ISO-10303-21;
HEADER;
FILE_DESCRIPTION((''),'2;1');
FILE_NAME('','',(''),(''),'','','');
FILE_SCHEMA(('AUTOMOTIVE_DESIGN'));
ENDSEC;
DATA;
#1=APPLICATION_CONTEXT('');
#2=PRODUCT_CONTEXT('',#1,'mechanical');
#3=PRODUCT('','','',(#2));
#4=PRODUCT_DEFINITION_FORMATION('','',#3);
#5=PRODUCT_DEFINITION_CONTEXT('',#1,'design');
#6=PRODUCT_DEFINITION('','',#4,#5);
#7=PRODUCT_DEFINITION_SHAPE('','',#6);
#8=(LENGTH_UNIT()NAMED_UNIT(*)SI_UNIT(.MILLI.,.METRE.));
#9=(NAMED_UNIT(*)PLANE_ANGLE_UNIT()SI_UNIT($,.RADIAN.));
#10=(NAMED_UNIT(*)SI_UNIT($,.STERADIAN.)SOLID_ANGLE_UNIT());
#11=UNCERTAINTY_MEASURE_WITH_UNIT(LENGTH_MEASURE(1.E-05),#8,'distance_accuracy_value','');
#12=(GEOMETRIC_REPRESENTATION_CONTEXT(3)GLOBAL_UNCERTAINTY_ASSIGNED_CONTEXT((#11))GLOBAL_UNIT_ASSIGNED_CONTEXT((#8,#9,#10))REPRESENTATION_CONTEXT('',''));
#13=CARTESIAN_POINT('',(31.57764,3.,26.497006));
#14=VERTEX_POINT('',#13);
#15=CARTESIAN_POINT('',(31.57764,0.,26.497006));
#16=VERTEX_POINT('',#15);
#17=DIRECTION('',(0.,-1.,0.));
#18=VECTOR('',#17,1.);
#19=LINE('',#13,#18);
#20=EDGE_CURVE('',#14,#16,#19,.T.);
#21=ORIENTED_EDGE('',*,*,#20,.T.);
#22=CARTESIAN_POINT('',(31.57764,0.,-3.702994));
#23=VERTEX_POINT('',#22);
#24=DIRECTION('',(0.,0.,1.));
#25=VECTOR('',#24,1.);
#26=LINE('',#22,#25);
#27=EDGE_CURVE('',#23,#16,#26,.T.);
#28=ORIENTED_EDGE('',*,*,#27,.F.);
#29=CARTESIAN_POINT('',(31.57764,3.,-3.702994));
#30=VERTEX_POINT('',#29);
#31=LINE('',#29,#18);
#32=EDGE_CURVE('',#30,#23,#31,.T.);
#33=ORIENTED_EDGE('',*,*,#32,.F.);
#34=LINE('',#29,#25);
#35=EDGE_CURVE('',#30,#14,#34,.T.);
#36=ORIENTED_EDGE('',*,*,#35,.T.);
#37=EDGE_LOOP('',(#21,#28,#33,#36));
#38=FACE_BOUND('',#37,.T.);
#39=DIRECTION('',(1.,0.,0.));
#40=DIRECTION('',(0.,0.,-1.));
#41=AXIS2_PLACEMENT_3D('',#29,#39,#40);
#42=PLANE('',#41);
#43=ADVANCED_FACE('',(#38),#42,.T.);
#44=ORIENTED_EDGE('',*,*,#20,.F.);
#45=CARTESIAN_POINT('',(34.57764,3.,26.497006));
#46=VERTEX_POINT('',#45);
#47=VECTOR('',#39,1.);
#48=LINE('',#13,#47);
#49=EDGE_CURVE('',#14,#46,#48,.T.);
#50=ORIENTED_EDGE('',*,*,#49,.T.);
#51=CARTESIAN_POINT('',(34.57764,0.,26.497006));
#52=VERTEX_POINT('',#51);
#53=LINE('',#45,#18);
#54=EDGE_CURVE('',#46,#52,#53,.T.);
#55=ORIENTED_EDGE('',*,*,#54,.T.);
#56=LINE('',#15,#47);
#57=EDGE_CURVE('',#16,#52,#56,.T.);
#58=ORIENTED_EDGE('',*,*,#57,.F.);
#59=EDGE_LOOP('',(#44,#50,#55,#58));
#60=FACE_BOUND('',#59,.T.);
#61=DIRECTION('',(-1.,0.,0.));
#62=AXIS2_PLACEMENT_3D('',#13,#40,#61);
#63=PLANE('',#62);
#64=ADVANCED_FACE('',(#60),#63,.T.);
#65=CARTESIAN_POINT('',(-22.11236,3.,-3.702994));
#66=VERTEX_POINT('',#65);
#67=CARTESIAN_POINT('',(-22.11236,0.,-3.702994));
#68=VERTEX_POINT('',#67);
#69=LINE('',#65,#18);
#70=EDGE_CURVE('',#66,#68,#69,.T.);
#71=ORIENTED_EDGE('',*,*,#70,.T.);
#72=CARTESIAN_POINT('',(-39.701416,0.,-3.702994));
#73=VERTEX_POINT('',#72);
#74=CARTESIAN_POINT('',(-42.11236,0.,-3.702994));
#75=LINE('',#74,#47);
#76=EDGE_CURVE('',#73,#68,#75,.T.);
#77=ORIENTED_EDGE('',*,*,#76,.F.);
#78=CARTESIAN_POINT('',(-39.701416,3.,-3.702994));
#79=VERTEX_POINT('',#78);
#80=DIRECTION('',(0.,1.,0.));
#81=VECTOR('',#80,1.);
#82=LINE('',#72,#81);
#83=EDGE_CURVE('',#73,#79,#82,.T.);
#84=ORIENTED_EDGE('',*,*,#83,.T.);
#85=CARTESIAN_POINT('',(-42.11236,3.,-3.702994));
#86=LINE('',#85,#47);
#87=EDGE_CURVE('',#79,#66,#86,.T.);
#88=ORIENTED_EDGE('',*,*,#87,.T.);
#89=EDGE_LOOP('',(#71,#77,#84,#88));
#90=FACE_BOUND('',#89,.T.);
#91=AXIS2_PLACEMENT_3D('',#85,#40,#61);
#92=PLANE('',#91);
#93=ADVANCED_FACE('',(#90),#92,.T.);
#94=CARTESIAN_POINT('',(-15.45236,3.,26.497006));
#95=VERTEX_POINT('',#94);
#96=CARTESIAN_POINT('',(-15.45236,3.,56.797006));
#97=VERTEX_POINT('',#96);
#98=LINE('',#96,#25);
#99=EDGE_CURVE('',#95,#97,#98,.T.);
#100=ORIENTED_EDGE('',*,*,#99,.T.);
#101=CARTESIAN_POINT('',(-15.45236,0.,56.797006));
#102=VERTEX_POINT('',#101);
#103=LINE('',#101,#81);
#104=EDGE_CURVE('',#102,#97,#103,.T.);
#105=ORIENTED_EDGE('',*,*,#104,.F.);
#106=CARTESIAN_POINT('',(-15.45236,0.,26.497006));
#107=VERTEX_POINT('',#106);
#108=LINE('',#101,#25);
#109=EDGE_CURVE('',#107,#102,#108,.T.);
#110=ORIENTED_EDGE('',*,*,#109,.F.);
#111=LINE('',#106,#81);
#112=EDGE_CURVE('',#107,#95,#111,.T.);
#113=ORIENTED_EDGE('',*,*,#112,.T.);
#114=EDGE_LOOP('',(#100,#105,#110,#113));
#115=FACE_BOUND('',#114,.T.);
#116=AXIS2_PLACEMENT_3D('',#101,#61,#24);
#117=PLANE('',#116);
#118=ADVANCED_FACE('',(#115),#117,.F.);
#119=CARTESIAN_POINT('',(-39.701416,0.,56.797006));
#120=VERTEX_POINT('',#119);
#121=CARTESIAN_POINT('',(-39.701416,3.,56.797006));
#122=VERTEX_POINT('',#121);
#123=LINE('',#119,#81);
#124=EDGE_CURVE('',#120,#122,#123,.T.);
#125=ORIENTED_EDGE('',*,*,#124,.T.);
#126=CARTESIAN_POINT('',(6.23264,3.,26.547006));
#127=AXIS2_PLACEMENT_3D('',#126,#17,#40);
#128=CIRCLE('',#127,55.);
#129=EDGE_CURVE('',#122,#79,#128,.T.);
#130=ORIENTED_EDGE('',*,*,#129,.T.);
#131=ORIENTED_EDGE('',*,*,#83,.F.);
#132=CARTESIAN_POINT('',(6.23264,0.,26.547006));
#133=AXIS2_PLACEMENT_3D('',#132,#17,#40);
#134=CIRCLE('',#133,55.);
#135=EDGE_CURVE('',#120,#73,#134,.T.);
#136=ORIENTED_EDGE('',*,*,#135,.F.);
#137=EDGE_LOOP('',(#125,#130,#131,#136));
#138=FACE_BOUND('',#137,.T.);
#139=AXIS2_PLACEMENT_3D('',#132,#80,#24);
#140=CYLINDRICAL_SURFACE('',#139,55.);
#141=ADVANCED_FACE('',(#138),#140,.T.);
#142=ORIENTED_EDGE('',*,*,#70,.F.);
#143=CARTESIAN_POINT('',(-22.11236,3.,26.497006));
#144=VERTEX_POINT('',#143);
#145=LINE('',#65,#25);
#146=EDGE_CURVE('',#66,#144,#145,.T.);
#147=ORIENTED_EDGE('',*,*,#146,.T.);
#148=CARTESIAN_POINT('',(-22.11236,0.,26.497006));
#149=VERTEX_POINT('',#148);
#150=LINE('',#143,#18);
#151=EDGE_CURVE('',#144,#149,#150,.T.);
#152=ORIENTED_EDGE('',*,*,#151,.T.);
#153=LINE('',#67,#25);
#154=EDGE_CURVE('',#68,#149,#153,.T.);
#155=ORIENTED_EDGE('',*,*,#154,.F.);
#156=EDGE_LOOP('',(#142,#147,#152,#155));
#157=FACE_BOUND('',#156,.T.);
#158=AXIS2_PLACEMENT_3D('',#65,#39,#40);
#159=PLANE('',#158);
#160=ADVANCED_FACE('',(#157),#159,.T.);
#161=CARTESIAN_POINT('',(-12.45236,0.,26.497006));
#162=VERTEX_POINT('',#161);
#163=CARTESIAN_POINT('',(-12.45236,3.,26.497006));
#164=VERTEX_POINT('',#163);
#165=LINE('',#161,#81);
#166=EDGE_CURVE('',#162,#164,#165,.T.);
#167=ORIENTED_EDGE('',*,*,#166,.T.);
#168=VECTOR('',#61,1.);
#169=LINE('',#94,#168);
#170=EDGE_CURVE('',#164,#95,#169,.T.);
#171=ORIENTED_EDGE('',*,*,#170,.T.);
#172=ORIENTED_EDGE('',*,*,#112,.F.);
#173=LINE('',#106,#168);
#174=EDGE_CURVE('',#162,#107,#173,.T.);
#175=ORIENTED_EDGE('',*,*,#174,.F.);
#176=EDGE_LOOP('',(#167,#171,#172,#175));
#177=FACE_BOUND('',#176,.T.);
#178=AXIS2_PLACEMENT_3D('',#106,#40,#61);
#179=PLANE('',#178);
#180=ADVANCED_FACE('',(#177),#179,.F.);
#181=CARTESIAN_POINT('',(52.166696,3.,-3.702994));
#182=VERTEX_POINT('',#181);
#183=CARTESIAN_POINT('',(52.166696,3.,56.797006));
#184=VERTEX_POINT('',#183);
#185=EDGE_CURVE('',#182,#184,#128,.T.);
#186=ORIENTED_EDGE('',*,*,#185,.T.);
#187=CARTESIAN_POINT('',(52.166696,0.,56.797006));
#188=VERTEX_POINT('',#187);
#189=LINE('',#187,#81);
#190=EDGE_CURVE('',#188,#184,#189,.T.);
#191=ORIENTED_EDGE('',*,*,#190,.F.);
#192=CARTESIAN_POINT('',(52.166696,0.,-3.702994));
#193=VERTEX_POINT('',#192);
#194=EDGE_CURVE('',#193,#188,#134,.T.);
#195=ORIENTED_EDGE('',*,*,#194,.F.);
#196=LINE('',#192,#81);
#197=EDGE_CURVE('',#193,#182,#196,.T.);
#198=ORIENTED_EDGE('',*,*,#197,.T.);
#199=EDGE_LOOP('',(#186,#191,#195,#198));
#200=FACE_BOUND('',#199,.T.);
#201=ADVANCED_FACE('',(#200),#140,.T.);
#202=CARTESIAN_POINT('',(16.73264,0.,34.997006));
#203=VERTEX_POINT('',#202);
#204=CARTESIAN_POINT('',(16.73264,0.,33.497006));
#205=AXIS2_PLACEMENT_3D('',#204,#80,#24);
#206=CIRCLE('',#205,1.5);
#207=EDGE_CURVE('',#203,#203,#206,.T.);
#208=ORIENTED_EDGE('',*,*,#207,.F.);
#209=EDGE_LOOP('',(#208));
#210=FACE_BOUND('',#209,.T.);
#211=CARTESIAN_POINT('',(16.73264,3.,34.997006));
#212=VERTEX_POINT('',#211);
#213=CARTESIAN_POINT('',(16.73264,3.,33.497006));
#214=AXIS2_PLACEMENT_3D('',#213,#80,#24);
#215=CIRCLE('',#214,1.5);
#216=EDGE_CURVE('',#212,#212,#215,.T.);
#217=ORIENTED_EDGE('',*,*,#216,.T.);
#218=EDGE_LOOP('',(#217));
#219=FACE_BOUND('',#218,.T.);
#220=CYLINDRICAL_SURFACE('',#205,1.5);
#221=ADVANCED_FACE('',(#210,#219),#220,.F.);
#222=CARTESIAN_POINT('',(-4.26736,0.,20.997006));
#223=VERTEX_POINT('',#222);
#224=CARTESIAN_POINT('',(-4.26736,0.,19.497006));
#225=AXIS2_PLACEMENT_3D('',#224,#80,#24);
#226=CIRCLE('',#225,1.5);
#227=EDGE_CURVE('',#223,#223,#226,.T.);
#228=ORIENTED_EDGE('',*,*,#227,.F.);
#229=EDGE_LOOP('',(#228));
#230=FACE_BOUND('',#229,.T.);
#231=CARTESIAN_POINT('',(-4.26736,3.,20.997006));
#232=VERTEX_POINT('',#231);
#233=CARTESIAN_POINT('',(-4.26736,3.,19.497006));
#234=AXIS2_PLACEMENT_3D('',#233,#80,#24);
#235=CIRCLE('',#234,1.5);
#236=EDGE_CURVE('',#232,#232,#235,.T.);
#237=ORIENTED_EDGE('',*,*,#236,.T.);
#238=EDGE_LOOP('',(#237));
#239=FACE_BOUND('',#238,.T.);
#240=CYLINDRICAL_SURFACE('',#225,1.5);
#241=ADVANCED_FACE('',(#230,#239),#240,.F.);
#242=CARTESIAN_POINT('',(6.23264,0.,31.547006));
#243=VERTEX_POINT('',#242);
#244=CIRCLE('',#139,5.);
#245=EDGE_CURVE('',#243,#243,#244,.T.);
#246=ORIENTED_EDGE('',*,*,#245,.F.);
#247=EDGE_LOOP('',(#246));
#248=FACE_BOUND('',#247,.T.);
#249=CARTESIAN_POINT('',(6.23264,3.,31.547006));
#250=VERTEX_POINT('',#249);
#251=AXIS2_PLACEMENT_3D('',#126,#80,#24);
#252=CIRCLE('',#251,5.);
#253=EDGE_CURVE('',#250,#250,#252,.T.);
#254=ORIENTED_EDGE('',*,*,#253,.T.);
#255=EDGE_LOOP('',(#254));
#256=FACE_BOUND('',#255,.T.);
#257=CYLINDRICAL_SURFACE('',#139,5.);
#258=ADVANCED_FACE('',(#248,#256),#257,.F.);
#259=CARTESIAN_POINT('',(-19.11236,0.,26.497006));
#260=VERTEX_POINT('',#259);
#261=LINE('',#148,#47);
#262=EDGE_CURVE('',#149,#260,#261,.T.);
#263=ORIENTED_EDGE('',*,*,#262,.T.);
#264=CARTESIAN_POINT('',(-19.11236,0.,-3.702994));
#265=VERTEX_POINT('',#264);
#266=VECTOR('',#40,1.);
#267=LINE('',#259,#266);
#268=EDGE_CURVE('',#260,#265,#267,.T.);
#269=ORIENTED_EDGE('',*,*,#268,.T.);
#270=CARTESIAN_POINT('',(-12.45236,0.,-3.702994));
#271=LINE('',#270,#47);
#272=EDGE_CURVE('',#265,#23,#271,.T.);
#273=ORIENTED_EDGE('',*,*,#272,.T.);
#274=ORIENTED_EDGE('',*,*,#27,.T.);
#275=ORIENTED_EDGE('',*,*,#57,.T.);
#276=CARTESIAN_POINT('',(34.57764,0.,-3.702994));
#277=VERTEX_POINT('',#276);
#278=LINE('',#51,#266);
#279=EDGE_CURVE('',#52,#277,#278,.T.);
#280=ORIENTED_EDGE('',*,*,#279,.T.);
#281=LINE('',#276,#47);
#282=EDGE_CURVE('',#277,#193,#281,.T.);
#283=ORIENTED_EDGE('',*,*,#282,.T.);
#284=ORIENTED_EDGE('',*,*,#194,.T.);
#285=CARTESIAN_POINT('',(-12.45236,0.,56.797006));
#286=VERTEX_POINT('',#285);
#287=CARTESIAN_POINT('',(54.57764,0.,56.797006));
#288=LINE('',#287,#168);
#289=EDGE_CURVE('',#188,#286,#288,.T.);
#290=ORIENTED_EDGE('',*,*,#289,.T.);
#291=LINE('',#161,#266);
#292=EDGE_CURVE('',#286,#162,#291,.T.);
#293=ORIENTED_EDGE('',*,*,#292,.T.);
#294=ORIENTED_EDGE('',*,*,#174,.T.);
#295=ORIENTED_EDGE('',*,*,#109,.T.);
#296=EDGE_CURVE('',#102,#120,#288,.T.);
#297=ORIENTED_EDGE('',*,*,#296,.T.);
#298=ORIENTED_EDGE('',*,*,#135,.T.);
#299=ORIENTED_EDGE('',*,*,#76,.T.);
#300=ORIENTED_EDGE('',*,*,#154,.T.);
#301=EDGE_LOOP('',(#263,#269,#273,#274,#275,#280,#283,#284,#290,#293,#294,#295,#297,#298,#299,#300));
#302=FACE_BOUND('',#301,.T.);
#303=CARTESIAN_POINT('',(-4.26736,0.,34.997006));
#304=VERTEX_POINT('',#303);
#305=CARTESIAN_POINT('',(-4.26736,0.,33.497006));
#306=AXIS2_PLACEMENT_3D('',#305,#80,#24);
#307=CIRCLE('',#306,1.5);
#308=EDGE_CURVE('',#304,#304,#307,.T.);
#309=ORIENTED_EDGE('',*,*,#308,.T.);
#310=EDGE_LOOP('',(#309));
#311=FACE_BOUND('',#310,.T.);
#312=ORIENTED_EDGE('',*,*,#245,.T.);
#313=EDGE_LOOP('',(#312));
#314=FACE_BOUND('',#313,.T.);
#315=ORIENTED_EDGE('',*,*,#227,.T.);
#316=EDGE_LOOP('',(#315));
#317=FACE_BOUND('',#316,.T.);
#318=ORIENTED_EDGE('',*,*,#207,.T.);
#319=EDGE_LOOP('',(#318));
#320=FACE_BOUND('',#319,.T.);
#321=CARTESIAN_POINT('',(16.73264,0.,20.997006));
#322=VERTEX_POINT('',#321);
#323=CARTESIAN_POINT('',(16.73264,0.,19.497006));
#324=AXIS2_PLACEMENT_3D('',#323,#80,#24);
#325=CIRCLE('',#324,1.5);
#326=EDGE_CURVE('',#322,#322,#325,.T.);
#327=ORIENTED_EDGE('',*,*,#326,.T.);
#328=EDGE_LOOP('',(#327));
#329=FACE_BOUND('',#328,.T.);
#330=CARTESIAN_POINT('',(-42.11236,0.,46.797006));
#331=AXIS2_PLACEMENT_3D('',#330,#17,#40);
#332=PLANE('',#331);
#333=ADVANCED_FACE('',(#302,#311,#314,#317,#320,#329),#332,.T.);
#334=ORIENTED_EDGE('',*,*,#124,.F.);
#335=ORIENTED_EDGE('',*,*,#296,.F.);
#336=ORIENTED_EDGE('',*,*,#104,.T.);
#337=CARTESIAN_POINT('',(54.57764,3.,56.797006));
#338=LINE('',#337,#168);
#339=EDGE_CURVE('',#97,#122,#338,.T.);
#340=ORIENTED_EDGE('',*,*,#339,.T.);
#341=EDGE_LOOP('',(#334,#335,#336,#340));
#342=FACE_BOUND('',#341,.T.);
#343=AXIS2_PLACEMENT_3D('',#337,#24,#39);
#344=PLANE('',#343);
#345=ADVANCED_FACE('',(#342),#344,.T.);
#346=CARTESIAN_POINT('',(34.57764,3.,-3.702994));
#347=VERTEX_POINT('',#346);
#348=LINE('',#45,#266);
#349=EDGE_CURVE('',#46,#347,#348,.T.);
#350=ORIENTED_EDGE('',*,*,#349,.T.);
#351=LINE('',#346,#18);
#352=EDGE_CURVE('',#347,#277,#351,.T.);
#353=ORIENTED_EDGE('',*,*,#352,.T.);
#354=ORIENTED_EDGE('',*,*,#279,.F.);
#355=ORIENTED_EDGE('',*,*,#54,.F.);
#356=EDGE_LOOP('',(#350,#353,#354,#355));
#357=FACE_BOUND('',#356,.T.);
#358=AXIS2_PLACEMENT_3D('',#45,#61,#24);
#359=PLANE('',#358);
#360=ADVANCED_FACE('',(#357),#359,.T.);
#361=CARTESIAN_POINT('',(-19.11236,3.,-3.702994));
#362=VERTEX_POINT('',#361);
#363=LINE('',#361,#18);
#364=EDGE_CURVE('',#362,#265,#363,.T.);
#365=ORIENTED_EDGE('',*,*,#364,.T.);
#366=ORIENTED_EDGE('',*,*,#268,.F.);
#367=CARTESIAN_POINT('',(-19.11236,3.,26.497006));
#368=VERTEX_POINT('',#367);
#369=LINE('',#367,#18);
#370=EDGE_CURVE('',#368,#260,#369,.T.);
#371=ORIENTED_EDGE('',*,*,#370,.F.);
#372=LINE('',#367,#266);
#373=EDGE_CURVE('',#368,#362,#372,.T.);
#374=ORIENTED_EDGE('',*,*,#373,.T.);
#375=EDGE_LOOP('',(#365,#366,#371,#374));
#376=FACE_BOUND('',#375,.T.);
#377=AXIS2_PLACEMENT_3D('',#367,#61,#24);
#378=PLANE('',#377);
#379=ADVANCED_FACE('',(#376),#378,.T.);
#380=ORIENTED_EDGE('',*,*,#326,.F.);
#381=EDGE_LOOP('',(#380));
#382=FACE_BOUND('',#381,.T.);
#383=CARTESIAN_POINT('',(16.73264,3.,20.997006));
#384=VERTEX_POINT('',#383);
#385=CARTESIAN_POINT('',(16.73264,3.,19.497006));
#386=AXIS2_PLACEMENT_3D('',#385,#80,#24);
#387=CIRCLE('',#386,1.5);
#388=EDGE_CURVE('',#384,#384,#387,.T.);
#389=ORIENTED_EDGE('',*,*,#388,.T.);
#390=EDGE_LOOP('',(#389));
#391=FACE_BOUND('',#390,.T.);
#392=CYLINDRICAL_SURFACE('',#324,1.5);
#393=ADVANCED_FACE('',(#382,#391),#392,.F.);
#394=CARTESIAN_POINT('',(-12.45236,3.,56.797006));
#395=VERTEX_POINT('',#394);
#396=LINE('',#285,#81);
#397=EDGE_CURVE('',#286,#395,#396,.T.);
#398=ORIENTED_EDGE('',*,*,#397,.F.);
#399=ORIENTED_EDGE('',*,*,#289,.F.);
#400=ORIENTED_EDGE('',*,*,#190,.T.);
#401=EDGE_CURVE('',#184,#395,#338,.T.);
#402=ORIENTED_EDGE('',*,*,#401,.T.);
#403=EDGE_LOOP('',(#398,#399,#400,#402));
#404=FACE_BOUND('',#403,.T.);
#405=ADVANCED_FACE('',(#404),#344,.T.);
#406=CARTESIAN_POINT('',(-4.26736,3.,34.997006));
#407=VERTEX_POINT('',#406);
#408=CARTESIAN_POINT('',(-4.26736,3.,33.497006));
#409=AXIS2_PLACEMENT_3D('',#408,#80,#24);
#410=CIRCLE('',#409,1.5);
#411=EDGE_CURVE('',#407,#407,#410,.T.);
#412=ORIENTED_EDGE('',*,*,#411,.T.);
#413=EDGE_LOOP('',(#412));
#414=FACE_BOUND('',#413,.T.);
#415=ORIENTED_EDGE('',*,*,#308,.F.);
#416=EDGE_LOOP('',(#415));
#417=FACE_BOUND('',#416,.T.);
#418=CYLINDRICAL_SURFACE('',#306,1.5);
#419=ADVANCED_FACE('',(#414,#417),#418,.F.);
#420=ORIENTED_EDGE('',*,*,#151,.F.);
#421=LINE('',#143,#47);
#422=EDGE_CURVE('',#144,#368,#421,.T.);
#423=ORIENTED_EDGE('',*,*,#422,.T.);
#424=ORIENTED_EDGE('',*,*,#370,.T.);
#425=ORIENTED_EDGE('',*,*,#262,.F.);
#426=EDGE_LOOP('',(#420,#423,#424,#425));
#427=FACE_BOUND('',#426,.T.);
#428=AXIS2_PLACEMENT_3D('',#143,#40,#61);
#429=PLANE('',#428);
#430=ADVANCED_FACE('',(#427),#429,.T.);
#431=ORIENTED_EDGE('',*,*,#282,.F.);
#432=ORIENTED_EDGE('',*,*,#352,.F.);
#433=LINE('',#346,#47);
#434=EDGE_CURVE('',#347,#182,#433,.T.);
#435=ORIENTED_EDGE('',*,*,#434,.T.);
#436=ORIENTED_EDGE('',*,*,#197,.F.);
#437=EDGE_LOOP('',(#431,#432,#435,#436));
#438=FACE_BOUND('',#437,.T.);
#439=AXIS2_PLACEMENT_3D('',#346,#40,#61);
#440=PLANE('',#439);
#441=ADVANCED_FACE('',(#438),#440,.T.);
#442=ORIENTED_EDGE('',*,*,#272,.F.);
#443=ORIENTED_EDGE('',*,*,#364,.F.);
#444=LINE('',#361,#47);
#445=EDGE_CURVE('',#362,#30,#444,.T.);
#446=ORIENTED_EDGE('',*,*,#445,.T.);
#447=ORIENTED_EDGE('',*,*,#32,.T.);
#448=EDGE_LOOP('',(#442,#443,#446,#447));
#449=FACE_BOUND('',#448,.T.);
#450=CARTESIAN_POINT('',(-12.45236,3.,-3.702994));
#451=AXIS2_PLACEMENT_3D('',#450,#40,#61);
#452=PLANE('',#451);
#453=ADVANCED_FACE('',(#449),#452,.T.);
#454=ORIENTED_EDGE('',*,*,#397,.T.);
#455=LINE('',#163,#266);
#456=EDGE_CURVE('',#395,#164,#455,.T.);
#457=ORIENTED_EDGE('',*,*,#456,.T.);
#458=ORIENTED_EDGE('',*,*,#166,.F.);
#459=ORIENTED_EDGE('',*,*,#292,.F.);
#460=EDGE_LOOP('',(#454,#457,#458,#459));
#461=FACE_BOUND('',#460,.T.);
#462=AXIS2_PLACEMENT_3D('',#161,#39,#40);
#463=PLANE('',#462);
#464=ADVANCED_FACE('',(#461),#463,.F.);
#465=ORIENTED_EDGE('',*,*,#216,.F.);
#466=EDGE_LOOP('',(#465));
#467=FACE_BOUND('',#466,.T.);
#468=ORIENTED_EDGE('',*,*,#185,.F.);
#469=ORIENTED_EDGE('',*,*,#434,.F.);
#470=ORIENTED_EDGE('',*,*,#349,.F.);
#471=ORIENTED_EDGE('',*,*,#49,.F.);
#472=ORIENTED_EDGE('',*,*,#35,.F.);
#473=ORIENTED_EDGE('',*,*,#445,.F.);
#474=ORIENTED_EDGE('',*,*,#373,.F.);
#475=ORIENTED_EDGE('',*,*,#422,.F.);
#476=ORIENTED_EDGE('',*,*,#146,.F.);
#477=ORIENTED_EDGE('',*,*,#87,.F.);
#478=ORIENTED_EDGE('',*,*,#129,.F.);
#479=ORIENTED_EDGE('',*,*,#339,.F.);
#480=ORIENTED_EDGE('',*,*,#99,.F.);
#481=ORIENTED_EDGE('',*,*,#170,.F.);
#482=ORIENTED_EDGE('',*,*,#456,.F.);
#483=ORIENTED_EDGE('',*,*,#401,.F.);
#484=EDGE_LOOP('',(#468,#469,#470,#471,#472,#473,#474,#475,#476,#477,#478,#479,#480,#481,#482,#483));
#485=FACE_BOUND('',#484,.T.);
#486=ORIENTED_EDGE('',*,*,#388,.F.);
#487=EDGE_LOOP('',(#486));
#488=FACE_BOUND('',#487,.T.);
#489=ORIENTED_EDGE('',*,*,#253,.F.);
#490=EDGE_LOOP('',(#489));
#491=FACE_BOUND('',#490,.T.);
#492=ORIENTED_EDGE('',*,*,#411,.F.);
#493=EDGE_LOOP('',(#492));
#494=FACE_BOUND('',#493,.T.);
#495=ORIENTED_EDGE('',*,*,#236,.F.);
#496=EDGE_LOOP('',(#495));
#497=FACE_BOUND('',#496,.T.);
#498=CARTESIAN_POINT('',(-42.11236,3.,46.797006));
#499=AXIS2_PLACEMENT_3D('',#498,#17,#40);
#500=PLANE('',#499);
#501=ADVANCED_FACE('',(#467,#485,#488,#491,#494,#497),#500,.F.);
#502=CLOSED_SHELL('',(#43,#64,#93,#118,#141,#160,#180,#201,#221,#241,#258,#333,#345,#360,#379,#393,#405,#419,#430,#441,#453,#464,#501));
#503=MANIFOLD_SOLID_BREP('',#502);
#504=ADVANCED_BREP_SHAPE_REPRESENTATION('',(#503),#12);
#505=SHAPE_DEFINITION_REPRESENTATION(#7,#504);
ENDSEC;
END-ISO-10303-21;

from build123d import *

# Parameters (mm, degrees)
BOSS_EXTRUDE1_DEPTH = 3
SKETCH4_R           = 5
CUT_EXTRUDE1_DEPTH  = 3
SKETCH6_R           = 1.5
CUT_EXTRUDE2_DEPTH  = 3
CUT_EXTRUDE3_DEPTH  = 3
SKETCH8_W           = 3
SKETCH8_H           = 30.3
CUT_EXTRUDE4_DEPTH  = 3


with BuildPart() as part:
    # Sketch3 → Boss-Extrude1 (new body)
    with BuildSketch(Plane(origin=(0, 0, 0), x_dir=(1, 0, 0), z_dir=(0, 1, 0))):
        with BuildLine():
            Line((-42.11236018, 3.702994226), (-22.11236018, 3.702994226))
            Line((-22.11236018, 3.702994226), (-22.11236018, -26.497005774))
            Line((-22.11236018, -26.497005774), (-19.11236018, -26.497005774))
            Line((-19.11236018, -26.497005774), (-19.11236018, 3.702994226))
            Line((-19.11236018, 3.702994226), (-15.45236018, 3.702994226))
            Line((-15.45236018, 3.702994226), (-12.45236018, 3.702994226))
            Line((-12.45236018, 3.702994226), (31.57763982, 3.702994226))
            Line((31.57763982, 3.702994226), (31.57763982, -26.497005774))
            Line((31.57763982, -26.497005774), (34.57763982, -26.497005774))
            Line((34.57763982, -26.497005774), (34.57763982, 3.702994226))
            Line((34.57763982, 3.702994226), (54.57763982, 3.702994226))
            ThreePointArc((54.57763982, 3.702994226), (61.648707631, 0.774062038), (64.57763982, -6.297005774))
            Line((64.57763982, -6.297005774), (64.57763982, -46.797005774))
            ThreePointArc((64.57763982, -46.797005774), (61.648707631, -53.868073586), (54.57763982, -56.797005774))
            Line((54.57763982, -56.797005774), (-42.11236018, -56.797005774))
            ThreePointArc((-42.11236018, -56.797005774), (-49.183427992, -53.868073586), (-52.11236018, -46.797005774))
            Line((-52.11236018, -46.797005774), (-52.11236018, -6.297005774))
            ThreePointArc((-52.11236018, -6.297005774), (-49.183427992, 0.774062038), (-42.11236018, 3.702994226))
        make_face()
    extrude(amount=BOSS_EXTRUDE1_DEPTH)

    # Sketch4 → Cut-Extrude1 (cut)
    with BuildSketch(Plane(origin=(0, 3, 0), x_dir=(1, 0, 0), z_dir=(0, 1, 0))):
        with Locations(Location((6.23263982, -26.547005774, 0), (0, 0, 270))):
            Circle(SKETCH4_R)
    extrude(amount=-CUT_EXTRUDE1_DEPTH, mode=Mode.SUBTRACT)

    # Sketch6 → Cut-Extrude2 (cut)
    with BuildSketch(Plane(origin=(0, 3, 0), x_dir=(1, 0, 0), z_dir=(0, 1, 0))):
        with Locations(Location((-4.26736018, -19.497005774, 0), (0, 0, 270))):
            Circle(SKETCH6_R)
        with Locations(Location((-4.26736018, -33.497005774, 0), (0, 0, 270))):
            Circle(SKETCH6_R)
        with Locations(Location((16.73263982, -19.497005774, 0), (0, 0, 270))):
            Circle(SKETCH6_R)
        with Locations(Location((16.73263982, -33.497005774, 0), (0, 0, 270))):
            Circle(SKETCH6_R)
    extrude(amount=-CUT_EXTRUDE2_DEPTH, mode=Mode.SUBTRACT)

    # Sketch7 → Cut-Extrude3 (cut)
    with BuildSketch(Plane(origin=(0, 3, 0), x_dir=(1, 0, 0), z_dir=(0, 1, 0))):
        with BuildLine():
            Line((52.166695813, 3.702994226), (73.459164028, 3.702994226))
            Line((73.459164028, 3.702994226), (73.459164028, -56.797005774))
            Line((73.459164028, -56.797005774), (52.166695813, -56.797005774))
            ThreePointArc((52.166695813, -56.797005774), (61.23263982, -26.547005774), (52.166695813, 3.702994226))
        make_face()
        with BuildLine():
            Line((-39.701416174, 3.702994226), (-60.819947715, 3.702994226))
            Line((-60.819947715, 3.702994226), (-60.819947715, -56.797005774))
            Line((-60.819947715, -56.797005774), (-39.701416174, -56.797005774))
            ThreePointArc((-39.701416174, -56.797005774), (-48.76736018, -26.547005774), (-39.701416174, 3.702994226))
        make_face()
    extrude(amount=-CUT_EXTRUDE3_DEPTH, mode=Mode.SUBTRACT)

    # Sketch8 → Cut-Extrude4 (cut)
    with BuildSketch(Plane(origin=(0, 3, 0), x_dir=(1, 0, 0), z_dir=(0, 1, 0))):
        with Locations((-13.95236018, -41.647005774)):
            Rectangle(SKETCH8_W, SKETCH8_H)
    extrude(amount=-CUT_EXTRUDE4_DEPTH, mode=Mode.SUBTRACT)


solid = part.part
